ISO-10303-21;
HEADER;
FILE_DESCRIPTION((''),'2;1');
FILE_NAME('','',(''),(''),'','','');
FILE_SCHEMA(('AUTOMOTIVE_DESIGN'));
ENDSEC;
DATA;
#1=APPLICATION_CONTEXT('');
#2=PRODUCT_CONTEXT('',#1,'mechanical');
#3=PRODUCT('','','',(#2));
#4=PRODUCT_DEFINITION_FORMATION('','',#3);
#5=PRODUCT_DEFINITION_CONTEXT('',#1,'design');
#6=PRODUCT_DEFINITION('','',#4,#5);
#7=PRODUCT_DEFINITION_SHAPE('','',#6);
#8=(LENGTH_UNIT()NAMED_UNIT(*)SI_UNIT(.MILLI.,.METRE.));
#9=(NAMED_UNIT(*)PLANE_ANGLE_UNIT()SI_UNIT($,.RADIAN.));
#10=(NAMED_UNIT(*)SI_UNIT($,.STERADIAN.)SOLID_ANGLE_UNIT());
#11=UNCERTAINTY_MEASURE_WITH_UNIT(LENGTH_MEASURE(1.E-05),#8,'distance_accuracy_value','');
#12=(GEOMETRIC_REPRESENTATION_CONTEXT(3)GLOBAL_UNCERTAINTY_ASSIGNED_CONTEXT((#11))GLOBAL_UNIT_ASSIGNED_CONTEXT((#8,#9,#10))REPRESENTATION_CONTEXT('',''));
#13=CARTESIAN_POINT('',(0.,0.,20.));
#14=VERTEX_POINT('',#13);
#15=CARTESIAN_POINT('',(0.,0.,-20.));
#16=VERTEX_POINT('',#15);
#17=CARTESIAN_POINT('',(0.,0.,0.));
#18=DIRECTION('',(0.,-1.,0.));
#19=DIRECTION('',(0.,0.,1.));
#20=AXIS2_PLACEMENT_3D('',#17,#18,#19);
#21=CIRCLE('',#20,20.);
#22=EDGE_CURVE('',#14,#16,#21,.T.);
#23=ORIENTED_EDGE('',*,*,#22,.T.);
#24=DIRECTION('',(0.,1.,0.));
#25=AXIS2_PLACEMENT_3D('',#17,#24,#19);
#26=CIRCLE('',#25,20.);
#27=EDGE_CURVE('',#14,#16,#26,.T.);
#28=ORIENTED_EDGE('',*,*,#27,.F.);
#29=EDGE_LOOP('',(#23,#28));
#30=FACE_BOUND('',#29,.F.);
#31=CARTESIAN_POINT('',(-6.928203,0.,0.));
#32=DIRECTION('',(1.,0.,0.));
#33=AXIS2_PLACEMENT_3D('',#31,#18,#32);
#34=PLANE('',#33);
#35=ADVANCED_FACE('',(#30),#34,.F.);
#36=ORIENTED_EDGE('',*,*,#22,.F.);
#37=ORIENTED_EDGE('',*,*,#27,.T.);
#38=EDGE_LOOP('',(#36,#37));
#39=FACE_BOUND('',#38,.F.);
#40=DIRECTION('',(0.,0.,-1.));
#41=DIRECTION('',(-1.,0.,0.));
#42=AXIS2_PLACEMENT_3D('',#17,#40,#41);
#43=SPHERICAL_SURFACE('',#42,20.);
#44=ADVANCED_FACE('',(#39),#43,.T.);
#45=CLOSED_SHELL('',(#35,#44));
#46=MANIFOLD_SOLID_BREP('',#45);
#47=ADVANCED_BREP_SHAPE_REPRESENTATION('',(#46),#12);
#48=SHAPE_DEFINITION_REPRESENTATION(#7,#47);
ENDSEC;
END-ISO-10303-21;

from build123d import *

# Parameters (mm, degrees)
F2_DEPTH = 24.5
F3_ANGLE = 180


with BuildPart() as f2:
    # F1 (on Front) → F2 (new body)
    with BuildSketch(Plane.XZ):
        Polygon((0, 19), (0, 0), (-19, 0), (-19, -0.75), (-0.75, -0.75), (-0.75, -19), (0.75, -19), (0.75, -0.75), (19, -0.75), (19, 0.75), (0.75, 0.75), (0.75, 19), align=None)
        Polygon((-19, 0), (0, 0), (0, 19), (-0.75, 19), (-0.75, 0.75), (-19, 0.75), align=None)
    extrude(amount=F2_DEPTH)


with BuildPart() as f3:
    # F0 (on Front) → F3 (revolve)
    with BuildSketch(Plane.XZ):
        with BuildLine():
            Line((0, -20), (0, 0))
            Line((0, 0), (0, 20))
            ThreePointArc((0, 20), (-20, 0), (0, -20))
        make_face()
    revolve(axis=Axis((0, 0, 10), (0, 0, 1)), revolution_arc=F3_ANGLE)


with BuildPart() as f2_1:
    add(f2.part)

    # F4: cut F3
    add(f3.part, mode=Mode.SUBTRACT)


solid = f3.part
